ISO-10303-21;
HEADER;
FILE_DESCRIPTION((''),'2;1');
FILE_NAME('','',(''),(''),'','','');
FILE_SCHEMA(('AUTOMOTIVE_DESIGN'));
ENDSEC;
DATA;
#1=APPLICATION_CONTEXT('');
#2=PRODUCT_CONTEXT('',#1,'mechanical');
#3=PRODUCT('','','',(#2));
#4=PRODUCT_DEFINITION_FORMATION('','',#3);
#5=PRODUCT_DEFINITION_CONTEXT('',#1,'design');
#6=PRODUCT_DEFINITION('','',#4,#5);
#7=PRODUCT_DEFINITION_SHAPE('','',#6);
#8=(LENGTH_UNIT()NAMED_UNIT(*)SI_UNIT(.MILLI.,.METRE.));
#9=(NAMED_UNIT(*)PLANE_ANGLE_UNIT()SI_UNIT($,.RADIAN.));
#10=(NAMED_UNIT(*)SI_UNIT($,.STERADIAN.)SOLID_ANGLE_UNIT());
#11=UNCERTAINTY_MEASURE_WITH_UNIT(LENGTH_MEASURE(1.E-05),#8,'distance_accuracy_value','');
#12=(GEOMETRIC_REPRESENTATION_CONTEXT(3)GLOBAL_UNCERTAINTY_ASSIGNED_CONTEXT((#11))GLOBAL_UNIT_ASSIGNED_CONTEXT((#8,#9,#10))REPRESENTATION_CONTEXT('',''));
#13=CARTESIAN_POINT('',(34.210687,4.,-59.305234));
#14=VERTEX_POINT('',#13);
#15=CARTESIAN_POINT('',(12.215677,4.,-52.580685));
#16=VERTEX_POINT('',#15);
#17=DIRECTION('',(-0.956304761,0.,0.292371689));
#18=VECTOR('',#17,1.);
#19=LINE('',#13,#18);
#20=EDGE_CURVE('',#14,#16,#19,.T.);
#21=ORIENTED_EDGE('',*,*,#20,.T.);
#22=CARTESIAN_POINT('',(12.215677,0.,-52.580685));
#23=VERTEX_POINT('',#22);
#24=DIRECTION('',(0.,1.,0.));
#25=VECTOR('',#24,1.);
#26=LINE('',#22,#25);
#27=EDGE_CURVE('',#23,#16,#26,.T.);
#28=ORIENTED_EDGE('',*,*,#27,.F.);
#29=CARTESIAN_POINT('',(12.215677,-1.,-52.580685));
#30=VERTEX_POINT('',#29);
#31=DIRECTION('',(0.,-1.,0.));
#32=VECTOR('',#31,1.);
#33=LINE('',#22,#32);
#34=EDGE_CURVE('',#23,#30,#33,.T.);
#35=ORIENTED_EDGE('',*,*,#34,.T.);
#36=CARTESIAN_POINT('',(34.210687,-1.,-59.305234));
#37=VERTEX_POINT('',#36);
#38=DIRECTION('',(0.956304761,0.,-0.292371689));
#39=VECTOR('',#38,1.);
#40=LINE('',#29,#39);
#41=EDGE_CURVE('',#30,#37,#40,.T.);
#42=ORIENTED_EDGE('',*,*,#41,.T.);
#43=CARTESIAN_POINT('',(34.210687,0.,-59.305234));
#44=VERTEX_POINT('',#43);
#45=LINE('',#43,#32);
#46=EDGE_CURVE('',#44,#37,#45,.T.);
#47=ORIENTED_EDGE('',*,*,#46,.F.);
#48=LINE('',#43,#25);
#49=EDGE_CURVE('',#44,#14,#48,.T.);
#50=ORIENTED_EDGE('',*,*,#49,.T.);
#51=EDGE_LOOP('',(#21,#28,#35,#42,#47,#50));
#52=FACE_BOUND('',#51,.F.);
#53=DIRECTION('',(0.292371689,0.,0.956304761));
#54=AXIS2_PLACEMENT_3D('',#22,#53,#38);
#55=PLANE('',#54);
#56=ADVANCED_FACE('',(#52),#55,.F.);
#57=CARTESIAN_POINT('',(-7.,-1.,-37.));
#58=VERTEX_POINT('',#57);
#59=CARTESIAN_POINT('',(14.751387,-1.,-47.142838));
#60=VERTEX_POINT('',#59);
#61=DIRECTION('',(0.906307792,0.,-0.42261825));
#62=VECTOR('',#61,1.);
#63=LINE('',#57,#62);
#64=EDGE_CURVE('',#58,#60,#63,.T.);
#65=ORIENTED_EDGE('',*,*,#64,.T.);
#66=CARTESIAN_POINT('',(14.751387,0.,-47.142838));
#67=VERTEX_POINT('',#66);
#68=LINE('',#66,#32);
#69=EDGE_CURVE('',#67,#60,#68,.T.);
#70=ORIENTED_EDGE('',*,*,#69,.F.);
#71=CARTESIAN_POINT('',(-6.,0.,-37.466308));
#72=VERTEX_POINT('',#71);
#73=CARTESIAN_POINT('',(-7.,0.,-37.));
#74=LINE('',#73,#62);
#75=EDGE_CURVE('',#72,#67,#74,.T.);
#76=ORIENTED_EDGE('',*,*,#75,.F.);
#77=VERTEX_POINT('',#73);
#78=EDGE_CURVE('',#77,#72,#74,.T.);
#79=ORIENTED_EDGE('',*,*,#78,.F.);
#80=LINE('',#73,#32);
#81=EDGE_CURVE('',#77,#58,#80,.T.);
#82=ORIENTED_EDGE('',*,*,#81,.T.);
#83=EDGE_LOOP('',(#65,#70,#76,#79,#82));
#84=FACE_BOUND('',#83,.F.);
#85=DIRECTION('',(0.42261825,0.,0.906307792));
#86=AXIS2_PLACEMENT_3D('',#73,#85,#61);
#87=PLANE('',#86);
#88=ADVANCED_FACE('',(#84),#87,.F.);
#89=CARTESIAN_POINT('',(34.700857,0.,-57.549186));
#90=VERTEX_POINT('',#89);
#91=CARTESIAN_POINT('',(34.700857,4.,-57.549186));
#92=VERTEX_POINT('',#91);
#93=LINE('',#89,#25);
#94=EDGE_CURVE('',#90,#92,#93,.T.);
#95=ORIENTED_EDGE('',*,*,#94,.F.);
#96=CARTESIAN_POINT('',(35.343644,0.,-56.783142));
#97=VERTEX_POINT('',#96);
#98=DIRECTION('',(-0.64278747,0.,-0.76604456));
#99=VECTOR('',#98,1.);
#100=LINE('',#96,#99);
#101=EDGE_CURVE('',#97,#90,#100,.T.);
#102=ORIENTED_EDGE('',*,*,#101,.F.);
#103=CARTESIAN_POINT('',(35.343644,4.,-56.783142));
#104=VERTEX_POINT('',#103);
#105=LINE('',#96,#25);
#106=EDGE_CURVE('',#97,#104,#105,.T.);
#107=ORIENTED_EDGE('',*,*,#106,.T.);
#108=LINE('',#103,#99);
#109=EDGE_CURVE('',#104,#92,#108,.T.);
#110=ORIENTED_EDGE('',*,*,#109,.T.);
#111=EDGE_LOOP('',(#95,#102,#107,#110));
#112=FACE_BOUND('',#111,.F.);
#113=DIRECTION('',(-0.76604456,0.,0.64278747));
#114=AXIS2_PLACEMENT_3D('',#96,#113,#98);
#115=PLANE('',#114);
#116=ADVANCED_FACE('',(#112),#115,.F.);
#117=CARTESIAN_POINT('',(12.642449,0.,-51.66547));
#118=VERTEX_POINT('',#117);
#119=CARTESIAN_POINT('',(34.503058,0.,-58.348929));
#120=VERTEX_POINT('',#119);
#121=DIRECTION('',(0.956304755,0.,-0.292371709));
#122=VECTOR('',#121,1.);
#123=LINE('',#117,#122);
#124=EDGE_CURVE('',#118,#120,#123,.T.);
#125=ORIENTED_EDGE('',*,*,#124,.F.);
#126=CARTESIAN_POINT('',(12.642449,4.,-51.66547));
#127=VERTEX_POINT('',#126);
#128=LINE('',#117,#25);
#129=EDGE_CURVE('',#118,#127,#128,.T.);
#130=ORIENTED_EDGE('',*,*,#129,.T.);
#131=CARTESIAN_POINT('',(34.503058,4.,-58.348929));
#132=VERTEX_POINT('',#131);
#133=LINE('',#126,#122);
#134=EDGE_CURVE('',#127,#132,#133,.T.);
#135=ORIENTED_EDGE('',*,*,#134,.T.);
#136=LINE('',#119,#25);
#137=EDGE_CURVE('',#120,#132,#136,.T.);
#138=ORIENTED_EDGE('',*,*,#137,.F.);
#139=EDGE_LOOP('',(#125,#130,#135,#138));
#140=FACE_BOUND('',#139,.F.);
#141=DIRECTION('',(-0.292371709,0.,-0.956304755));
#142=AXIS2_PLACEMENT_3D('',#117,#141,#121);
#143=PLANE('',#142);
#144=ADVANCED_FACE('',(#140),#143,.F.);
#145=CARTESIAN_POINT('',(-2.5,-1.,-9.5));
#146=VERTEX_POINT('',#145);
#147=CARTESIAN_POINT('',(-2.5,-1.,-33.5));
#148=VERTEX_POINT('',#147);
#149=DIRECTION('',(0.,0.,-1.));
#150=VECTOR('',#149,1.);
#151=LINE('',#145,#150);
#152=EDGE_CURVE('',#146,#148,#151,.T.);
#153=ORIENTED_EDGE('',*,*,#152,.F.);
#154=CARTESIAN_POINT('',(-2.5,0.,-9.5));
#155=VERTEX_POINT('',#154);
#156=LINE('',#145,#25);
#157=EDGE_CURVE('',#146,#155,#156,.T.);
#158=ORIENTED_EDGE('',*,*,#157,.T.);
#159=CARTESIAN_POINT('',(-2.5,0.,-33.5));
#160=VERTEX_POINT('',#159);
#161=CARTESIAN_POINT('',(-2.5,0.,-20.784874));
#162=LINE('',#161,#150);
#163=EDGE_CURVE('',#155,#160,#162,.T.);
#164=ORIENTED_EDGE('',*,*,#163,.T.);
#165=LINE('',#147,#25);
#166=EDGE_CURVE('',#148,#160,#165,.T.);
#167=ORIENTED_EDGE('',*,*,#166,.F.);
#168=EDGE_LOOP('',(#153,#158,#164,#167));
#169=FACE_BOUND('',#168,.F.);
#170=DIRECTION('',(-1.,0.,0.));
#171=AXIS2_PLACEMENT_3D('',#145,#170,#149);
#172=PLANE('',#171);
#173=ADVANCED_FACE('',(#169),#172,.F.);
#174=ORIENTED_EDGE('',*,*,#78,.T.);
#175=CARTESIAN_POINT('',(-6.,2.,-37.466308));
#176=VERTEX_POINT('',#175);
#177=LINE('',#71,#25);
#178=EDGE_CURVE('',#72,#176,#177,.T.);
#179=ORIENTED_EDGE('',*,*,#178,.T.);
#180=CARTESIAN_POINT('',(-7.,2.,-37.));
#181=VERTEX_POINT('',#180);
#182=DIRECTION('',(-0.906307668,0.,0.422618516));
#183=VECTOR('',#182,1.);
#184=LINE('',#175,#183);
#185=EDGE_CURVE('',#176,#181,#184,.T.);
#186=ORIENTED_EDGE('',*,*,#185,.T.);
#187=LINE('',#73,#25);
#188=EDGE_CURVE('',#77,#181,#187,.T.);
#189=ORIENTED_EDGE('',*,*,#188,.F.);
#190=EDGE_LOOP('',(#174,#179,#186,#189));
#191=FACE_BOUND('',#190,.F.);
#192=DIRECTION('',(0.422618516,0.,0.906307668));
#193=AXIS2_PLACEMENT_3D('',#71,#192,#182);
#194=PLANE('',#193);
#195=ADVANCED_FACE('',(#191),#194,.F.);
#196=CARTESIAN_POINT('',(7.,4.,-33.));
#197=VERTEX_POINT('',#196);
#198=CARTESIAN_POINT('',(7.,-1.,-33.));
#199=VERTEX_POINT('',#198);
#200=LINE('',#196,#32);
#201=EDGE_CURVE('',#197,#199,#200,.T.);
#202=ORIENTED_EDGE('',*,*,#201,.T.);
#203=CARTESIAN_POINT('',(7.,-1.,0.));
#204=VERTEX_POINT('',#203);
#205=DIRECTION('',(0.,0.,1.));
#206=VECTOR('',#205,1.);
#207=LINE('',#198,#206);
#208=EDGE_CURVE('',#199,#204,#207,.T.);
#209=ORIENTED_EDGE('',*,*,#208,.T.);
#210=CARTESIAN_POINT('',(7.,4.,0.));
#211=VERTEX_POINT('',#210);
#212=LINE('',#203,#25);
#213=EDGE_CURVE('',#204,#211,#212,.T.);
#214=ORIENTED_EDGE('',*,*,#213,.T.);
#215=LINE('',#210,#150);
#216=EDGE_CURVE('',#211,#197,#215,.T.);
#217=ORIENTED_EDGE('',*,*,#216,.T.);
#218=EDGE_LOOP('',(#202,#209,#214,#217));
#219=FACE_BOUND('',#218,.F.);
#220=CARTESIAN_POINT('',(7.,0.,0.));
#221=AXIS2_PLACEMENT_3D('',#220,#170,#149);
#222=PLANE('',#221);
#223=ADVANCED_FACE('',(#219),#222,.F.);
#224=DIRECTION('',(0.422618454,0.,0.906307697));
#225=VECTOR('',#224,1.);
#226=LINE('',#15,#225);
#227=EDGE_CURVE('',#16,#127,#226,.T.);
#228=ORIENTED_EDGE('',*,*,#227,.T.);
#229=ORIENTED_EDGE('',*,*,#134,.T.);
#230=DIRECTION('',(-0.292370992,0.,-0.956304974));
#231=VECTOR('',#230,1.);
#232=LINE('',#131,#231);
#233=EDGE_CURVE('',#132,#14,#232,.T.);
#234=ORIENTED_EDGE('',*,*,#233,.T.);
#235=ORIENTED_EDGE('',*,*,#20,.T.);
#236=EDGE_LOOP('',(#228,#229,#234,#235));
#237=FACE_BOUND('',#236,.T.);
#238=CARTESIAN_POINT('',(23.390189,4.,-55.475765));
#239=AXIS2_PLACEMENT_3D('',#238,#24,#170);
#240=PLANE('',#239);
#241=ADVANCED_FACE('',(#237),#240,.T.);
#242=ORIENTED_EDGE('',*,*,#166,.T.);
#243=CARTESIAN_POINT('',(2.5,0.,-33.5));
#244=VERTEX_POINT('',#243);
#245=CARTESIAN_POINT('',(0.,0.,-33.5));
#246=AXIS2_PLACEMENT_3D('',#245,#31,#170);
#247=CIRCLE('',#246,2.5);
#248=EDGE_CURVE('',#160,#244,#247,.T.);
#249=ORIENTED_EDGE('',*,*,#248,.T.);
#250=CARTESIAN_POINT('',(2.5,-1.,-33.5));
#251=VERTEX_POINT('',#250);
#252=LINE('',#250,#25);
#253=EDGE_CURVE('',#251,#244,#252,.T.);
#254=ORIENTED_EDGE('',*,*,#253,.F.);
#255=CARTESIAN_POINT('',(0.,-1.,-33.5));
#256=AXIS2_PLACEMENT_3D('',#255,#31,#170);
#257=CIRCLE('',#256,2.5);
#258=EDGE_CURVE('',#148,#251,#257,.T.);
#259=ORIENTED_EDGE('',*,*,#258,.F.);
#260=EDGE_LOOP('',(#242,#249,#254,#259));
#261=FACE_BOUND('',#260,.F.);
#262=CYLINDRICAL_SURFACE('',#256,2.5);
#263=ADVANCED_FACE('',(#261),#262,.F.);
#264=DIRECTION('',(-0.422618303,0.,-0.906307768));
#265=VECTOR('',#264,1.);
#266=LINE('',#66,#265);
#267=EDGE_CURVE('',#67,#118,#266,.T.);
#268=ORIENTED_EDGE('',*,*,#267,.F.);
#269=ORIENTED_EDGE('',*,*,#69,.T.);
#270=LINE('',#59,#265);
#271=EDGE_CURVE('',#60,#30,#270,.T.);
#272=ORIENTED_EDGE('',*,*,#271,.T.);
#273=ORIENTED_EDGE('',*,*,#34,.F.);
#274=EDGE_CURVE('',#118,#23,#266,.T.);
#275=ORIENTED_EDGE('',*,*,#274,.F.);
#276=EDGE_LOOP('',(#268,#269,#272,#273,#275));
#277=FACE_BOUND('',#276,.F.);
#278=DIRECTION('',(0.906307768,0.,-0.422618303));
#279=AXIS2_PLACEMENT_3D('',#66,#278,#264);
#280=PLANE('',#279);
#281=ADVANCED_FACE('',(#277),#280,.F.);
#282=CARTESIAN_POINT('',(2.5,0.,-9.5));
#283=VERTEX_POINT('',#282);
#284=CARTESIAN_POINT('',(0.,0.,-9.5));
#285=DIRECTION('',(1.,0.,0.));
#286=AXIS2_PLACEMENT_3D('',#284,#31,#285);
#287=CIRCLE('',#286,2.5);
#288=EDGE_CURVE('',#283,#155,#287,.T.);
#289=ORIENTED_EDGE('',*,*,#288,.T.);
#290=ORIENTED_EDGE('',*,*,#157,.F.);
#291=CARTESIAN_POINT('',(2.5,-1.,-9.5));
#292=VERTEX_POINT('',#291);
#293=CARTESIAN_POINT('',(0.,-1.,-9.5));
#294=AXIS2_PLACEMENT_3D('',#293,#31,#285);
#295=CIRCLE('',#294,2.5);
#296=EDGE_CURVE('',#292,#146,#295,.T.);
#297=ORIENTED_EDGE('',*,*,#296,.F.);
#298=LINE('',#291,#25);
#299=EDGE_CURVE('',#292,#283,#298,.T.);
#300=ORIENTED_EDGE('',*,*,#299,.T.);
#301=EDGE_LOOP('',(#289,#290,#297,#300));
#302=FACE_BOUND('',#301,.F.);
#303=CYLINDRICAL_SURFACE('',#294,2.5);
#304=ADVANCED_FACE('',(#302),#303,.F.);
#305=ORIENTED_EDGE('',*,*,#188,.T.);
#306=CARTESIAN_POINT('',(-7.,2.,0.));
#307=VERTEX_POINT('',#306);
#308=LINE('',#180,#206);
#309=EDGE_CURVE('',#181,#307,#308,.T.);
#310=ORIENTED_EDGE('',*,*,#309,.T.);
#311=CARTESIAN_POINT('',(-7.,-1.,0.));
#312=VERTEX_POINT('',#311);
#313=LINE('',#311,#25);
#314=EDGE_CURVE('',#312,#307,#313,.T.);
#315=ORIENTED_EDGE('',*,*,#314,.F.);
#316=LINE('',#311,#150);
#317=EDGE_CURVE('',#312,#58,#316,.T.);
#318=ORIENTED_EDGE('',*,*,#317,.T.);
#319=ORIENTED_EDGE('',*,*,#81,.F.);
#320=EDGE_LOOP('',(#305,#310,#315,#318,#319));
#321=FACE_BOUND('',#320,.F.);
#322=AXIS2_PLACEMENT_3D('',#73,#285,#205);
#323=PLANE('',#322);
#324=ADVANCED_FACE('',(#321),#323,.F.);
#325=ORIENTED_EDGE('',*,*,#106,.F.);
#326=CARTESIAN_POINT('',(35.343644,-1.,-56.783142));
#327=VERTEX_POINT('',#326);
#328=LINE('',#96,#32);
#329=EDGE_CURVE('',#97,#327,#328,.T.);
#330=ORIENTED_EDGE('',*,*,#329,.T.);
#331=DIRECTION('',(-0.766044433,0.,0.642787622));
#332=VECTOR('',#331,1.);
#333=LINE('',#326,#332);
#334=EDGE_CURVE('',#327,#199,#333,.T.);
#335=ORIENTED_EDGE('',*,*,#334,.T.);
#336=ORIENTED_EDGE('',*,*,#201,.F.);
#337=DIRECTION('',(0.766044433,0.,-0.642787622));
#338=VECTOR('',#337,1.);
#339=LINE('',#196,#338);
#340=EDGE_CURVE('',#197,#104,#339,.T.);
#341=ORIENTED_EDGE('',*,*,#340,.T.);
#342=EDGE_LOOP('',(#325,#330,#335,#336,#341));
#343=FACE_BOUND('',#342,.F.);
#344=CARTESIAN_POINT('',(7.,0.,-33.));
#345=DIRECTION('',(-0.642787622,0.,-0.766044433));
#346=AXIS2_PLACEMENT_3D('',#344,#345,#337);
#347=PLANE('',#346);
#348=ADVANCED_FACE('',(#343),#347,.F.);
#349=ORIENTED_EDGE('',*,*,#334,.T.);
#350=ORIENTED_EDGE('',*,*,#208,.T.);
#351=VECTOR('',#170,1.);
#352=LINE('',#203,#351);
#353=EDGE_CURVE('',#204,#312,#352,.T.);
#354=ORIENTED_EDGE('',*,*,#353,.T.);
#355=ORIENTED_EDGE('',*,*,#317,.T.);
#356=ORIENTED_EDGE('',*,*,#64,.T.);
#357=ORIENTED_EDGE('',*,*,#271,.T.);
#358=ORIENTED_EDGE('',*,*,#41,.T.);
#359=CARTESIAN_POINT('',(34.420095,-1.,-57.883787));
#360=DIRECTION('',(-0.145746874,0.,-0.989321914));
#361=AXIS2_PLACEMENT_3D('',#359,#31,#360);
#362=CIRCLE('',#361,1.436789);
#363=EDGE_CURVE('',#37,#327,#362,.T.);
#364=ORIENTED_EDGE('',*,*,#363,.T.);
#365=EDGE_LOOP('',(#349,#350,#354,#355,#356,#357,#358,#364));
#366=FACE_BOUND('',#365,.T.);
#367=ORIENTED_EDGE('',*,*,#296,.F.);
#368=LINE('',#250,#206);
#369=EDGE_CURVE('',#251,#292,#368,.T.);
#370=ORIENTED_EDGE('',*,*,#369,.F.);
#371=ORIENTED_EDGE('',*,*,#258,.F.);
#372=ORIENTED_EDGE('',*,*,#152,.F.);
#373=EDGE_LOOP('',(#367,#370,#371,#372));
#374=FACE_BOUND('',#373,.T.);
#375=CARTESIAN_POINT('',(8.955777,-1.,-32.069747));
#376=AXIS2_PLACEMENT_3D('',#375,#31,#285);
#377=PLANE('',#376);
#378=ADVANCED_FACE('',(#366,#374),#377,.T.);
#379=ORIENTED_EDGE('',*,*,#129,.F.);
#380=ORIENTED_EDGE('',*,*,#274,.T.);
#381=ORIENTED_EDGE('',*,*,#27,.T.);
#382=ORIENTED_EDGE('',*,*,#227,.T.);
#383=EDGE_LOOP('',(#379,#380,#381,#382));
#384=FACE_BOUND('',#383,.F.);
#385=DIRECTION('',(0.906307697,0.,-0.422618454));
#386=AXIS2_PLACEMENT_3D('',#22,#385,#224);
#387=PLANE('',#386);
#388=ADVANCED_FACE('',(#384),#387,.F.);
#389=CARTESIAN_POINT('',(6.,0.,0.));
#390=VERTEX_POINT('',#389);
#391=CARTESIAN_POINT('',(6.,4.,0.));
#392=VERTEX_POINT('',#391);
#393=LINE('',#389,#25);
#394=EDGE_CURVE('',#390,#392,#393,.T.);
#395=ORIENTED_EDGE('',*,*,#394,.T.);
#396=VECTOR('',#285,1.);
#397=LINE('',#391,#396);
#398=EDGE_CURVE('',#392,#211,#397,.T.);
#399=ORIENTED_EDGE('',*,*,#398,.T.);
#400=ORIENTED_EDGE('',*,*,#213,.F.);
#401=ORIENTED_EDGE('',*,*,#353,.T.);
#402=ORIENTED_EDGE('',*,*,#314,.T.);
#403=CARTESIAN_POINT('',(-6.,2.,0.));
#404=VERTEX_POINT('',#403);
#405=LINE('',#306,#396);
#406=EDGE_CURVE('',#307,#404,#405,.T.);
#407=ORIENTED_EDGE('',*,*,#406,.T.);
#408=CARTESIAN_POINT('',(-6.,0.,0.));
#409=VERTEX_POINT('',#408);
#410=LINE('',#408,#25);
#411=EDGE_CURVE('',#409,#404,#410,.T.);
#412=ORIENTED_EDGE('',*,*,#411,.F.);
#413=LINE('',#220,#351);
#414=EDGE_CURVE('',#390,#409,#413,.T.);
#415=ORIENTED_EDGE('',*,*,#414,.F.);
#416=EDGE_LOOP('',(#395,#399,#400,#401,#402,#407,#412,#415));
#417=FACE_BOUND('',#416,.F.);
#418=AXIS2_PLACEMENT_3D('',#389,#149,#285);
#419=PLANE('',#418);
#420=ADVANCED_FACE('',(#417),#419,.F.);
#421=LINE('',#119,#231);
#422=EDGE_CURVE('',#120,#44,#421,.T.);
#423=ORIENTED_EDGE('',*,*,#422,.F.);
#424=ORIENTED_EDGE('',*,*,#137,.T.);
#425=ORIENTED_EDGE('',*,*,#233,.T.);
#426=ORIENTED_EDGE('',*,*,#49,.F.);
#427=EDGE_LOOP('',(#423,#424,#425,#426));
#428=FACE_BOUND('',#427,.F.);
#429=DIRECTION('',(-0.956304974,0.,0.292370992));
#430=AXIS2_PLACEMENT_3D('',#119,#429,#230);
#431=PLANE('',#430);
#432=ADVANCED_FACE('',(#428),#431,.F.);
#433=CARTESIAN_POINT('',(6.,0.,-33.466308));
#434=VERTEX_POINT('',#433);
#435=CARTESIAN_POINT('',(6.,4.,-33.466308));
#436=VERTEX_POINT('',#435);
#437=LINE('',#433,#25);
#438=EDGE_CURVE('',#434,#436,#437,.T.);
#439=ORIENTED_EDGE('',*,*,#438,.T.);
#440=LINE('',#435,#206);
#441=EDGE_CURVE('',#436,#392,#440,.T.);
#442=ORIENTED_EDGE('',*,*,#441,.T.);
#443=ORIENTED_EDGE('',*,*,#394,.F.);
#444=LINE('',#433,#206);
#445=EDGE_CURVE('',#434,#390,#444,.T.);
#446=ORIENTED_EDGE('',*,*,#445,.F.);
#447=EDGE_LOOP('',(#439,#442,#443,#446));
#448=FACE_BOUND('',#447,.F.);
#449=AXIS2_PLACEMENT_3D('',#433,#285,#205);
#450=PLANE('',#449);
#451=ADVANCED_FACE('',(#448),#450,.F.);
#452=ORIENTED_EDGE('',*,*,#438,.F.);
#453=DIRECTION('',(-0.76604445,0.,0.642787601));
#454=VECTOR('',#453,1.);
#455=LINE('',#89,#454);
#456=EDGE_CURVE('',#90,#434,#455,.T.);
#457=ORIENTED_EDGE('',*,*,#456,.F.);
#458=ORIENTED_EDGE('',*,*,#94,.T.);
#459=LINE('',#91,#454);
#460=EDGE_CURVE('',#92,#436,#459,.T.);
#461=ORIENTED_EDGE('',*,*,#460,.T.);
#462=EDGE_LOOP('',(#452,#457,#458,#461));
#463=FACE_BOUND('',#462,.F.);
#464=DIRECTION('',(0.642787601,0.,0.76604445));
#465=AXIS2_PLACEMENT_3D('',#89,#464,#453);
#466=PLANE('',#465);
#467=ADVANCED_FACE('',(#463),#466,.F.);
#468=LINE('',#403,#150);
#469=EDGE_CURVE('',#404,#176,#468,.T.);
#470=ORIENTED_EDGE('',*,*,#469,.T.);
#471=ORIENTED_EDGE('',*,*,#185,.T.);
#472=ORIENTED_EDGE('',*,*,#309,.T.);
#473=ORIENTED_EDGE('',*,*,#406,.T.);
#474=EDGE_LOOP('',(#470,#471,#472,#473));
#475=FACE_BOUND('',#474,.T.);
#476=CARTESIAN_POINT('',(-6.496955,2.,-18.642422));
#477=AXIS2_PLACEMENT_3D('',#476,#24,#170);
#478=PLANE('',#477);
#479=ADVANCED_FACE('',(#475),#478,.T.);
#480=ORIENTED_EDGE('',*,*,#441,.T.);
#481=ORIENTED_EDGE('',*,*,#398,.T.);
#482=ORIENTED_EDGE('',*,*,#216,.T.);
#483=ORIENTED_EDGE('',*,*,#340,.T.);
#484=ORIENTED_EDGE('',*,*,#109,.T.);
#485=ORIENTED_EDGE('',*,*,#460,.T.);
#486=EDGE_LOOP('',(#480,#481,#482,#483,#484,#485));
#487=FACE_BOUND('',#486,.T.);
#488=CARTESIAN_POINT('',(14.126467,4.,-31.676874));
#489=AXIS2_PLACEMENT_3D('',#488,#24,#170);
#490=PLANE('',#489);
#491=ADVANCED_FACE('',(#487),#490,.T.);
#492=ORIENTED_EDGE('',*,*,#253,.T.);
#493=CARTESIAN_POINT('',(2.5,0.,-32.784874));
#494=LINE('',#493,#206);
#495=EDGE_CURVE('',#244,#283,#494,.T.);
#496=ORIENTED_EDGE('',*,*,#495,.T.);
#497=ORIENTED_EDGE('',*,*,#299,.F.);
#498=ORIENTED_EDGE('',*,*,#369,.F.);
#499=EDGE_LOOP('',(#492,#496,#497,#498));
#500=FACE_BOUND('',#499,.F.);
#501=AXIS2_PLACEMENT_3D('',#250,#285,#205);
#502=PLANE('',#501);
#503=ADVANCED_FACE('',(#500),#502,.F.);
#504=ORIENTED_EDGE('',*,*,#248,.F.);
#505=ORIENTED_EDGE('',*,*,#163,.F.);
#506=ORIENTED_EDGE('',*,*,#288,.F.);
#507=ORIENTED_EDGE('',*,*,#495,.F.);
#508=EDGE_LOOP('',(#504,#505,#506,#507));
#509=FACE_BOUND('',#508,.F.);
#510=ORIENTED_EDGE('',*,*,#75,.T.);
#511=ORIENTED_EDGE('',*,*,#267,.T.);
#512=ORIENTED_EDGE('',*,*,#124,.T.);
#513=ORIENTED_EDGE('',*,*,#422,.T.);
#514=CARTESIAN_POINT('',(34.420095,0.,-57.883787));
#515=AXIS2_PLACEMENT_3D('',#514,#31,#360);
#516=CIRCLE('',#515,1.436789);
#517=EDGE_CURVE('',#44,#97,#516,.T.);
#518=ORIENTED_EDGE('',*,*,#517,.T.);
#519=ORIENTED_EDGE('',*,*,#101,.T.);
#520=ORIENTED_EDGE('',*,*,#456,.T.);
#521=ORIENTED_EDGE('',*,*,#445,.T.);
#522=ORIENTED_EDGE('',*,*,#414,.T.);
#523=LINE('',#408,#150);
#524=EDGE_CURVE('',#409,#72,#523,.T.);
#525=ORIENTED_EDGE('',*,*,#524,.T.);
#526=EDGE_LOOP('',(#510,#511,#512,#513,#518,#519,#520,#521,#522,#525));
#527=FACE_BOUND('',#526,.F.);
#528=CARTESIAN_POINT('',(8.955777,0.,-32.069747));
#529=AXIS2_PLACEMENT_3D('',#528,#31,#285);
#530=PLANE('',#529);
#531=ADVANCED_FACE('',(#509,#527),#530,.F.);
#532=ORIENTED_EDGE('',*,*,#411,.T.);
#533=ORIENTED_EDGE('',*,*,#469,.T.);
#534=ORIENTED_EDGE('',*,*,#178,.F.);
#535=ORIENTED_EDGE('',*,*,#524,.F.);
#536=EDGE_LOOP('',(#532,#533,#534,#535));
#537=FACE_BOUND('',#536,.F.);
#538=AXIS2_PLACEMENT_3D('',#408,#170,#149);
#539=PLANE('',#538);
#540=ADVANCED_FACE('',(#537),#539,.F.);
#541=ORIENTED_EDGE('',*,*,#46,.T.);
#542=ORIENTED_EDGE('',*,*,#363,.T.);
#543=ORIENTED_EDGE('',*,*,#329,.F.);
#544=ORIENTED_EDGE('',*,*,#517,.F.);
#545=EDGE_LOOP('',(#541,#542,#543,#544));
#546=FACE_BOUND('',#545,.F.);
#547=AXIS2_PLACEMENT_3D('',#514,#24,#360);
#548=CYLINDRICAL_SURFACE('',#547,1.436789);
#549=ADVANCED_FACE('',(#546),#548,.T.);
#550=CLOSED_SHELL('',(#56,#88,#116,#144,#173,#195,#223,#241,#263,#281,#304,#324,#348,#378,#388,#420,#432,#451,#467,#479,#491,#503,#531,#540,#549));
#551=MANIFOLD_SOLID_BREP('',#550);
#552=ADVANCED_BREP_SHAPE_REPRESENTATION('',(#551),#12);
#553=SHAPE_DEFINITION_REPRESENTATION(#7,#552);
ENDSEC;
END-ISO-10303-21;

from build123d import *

# Parameters (mm, degrees)
F1_DEPTH = 1
F3_DEPTH = 2
F5_DEPTH = 4
F7_DEPTH = 25


with BuildPart() as f1:
    # F0 (on Front) → F1 (new body)
    with BuildSketch(Plane.XZ):
        with BuildLine():
            Line((7, -33), (7, 0))
            Line((7, 0), (-7, 0))
            Line((-7, 0), (-7, -37))
            Line((-7, -37), (14.751387, -47.142838))
            Line((14.751387, -47.142838), (12.215677, -52.580685))
            Line((12.215677, -52.580685), (34.210687, -59.305234))
            ThreePointArc((34.210687, -59.305234), (35.730719, -58.472537), (35.343644, -56.783142))
            Line((35.343644, -56.783142), (7, -33))
        make_face()
    extrude(amount=F1_DEPTH)

    # F2 (on face) → F3 (join)
    with BuildSketch(Plane(origin=(0, 0, 0), x_dir=(-1, 0, 0), z_dir=(0, 1, 0))):
        Polygon((7, -37), (7, 0), (6, 0), (6, -37.466308), align=None)
    extrude(amount=F3_DEPTH)

    # F4 (on face) → F5 (join)
    with BuildSketch(Plane(origin=(0, 0, 0), x_dir=(-1, 0, 0), z_dir=(0, 1, 0))):
        Polygon((-34.700857, -57.549186), (-6, -33.466308), (-6, 0), (-7, 0), (-7, -33), (-35.343644, -56.783142), align=None)
        Polygon((-12.215677, -52.580685), (-12.642449, -51.66547), (-34.503058, -58.348929), (-34.210687, -59.305234), align=None)
    extrude(amount=F5_DEPTH)

    # F6 (on face) → F7 (cut)
    with BuildSketch(Plane.XZ.offset(1)):
        with BuildLine():
            ThreePointArc((2.5, -9.5), (0, -7), (-2.5, -9.5))
            Line((-2.5, -9.5), (-2.5, -33.5))
            ThreePointArc((-2.5, -33.5), (0, -36), (2.5, -33.5))
            Line((2.5, -33.5), (2.5, -9.5))
        make_face()
    extrude(amount=-F7_DEPTH, mode=Mode.SUBTRACT)


solid = f1.part
